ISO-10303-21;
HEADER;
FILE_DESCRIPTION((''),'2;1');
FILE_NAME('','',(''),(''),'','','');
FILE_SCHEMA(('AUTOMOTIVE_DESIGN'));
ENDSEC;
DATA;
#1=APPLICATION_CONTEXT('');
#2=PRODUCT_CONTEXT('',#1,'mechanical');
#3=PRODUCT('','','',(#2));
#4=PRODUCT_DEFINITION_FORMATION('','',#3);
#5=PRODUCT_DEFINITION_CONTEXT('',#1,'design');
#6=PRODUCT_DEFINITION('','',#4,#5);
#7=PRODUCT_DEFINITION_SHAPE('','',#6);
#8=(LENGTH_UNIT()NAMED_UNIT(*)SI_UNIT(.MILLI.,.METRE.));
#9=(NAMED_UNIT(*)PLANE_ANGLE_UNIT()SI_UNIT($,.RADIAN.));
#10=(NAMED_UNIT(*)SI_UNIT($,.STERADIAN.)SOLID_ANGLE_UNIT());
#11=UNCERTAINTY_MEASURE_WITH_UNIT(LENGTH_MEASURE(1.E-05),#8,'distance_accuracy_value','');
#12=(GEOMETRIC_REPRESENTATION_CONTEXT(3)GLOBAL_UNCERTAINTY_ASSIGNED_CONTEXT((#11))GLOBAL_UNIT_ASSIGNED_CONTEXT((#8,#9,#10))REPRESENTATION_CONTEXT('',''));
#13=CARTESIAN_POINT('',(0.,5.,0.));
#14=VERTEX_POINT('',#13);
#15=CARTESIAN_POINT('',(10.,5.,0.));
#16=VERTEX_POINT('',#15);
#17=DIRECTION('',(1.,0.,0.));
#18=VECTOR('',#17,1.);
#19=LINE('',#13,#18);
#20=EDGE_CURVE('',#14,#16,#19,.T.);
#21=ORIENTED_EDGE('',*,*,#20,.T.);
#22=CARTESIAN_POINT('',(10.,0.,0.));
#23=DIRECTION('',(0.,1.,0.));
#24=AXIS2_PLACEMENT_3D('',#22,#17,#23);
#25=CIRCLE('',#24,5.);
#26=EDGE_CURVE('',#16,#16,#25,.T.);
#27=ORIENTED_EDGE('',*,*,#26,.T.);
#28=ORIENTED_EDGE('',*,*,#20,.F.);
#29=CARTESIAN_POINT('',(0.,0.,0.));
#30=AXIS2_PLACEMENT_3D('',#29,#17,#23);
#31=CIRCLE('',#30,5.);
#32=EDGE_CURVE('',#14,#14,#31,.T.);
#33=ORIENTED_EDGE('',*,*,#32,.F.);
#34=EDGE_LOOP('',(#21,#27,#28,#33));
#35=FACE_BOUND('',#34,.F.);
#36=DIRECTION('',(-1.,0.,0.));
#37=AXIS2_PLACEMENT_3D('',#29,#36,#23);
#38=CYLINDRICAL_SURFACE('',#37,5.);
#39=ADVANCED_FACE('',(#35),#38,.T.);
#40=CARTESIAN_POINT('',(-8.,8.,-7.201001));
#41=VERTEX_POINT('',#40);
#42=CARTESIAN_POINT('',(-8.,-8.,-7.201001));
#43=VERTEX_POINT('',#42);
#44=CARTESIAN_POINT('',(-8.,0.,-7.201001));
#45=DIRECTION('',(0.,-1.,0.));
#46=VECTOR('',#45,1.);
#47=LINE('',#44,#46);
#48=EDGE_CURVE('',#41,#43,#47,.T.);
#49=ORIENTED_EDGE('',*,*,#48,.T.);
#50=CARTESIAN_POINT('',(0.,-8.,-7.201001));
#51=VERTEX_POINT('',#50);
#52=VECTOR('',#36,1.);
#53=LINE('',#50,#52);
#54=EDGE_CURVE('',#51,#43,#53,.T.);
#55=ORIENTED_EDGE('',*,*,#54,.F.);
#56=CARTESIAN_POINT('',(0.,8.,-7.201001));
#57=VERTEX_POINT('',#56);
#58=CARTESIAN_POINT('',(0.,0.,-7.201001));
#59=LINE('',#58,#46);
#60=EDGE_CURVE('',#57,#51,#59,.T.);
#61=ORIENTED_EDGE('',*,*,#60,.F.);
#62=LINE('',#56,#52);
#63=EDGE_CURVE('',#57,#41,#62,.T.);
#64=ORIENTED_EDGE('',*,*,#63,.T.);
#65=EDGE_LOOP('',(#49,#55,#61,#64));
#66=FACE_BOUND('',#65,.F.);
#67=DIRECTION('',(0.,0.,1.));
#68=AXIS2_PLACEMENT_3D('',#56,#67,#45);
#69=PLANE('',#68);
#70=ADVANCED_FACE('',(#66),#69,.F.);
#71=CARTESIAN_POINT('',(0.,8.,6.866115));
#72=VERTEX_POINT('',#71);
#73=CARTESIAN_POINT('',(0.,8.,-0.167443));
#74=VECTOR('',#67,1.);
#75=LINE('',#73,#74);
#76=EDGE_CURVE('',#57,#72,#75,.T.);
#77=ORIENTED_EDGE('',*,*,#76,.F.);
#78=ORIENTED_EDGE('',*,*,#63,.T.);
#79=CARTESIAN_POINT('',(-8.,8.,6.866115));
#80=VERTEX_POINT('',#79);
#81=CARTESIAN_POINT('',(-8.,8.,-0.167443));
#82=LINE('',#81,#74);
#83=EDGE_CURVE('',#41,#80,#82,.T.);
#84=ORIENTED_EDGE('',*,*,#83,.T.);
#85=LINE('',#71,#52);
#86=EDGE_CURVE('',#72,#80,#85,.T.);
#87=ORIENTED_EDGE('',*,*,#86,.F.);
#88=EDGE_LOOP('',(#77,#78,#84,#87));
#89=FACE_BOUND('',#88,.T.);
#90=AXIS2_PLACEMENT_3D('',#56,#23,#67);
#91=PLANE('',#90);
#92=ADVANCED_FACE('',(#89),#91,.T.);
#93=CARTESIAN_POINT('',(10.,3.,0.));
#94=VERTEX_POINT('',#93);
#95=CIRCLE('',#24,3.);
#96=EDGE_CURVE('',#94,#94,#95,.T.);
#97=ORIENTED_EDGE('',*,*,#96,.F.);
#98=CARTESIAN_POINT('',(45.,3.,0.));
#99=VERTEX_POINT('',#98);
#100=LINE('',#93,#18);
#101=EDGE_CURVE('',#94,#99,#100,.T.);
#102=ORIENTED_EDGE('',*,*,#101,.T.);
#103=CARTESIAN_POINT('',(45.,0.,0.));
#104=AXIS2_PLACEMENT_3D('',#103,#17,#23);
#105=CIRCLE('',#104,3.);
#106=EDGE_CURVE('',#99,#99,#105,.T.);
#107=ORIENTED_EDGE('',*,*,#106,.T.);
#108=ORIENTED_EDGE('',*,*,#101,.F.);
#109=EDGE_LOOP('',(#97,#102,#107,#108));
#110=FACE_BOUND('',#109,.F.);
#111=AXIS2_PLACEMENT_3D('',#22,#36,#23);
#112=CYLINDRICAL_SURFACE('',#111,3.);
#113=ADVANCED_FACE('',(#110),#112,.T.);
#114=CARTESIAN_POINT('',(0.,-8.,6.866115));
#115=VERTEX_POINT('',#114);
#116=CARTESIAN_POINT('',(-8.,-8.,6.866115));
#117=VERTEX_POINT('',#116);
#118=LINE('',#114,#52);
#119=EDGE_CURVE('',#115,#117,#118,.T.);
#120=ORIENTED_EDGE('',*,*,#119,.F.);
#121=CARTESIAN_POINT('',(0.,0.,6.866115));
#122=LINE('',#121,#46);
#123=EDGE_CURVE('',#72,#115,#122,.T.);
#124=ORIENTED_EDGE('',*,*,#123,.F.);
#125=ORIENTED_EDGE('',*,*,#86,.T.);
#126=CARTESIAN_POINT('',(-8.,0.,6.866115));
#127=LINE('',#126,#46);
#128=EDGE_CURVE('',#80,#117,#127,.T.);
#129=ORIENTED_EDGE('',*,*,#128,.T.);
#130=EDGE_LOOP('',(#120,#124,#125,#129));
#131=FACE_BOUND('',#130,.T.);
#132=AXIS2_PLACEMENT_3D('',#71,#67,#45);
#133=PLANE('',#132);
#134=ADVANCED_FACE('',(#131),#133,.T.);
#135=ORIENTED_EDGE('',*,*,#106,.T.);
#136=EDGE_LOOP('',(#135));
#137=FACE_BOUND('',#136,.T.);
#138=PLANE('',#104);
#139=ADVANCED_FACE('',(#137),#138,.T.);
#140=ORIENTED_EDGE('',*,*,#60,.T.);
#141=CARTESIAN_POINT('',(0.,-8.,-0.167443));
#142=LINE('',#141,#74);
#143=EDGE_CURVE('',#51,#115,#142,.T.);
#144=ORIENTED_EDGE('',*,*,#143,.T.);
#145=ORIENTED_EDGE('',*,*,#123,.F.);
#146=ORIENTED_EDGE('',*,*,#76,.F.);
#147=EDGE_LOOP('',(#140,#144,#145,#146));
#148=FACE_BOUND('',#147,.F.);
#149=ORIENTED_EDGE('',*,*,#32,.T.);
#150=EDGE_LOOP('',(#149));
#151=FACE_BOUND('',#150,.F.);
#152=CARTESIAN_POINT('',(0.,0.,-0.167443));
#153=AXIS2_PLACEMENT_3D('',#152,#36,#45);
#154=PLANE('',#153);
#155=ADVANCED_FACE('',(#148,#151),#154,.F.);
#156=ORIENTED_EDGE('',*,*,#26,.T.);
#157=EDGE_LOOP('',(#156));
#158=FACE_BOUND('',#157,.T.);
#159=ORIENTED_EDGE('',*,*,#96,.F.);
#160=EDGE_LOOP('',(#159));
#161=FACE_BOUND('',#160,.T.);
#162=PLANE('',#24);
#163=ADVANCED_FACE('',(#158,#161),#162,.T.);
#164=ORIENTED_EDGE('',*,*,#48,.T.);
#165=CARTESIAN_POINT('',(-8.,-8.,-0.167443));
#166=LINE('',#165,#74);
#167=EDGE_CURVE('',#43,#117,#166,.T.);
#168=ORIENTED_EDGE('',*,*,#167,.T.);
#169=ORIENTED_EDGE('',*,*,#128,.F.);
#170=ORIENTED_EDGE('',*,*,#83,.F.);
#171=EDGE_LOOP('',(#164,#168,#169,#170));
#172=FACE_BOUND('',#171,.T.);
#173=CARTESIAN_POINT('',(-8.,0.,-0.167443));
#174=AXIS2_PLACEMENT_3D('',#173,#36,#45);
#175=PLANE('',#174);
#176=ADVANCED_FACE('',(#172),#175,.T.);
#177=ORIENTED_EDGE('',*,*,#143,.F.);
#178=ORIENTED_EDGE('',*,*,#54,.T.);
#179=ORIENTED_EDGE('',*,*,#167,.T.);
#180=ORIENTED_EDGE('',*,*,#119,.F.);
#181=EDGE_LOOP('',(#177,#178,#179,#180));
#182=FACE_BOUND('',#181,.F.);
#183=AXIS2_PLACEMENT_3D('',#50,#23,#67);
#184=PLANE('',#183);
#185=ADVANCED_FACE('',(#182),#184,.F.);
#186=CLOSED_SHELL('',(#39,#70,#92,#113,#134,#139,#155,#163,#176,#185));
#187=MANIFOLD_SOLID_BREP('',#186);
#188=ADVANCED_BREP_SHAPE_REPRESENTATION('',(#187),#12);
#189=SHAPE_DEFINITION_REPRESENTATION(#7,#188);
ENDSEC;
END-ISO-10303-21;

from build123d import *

# Parameters (mm, degrees)
F0_R     = 5
F1_DEPTH = 10
F2_R     = 3
F3_DEPTH = 35
F4_W     = 16
F4_H     = 14.067116
F5_DEPTH = 8


with BuildPart() as f1:
    # F0 (on Right) → F1 (new body)
    with BuildSketch(Plane.YZ):
        Circle(F0_R)
    extrude(amount=F1_DEPTH)

    # F2 (on face) → F3 (join)
    with BuildSketch(Plane.YZ.offset(10)):
        Circle(F2_R)
    extrude(amount=F3_DEPTH)

    # F4 (on face) → F5 (join)
    with BuildSketch(Plane(origin=(0, 0, 0), x_dir=(0, -1, 0), z_dir=(-1, 0, 0))):
        with Locations((0, -0.167443)):
            Rectangle(F4_W, F4_H)
    extrude(amount=F5_DEPTH)


solid = f1.part
